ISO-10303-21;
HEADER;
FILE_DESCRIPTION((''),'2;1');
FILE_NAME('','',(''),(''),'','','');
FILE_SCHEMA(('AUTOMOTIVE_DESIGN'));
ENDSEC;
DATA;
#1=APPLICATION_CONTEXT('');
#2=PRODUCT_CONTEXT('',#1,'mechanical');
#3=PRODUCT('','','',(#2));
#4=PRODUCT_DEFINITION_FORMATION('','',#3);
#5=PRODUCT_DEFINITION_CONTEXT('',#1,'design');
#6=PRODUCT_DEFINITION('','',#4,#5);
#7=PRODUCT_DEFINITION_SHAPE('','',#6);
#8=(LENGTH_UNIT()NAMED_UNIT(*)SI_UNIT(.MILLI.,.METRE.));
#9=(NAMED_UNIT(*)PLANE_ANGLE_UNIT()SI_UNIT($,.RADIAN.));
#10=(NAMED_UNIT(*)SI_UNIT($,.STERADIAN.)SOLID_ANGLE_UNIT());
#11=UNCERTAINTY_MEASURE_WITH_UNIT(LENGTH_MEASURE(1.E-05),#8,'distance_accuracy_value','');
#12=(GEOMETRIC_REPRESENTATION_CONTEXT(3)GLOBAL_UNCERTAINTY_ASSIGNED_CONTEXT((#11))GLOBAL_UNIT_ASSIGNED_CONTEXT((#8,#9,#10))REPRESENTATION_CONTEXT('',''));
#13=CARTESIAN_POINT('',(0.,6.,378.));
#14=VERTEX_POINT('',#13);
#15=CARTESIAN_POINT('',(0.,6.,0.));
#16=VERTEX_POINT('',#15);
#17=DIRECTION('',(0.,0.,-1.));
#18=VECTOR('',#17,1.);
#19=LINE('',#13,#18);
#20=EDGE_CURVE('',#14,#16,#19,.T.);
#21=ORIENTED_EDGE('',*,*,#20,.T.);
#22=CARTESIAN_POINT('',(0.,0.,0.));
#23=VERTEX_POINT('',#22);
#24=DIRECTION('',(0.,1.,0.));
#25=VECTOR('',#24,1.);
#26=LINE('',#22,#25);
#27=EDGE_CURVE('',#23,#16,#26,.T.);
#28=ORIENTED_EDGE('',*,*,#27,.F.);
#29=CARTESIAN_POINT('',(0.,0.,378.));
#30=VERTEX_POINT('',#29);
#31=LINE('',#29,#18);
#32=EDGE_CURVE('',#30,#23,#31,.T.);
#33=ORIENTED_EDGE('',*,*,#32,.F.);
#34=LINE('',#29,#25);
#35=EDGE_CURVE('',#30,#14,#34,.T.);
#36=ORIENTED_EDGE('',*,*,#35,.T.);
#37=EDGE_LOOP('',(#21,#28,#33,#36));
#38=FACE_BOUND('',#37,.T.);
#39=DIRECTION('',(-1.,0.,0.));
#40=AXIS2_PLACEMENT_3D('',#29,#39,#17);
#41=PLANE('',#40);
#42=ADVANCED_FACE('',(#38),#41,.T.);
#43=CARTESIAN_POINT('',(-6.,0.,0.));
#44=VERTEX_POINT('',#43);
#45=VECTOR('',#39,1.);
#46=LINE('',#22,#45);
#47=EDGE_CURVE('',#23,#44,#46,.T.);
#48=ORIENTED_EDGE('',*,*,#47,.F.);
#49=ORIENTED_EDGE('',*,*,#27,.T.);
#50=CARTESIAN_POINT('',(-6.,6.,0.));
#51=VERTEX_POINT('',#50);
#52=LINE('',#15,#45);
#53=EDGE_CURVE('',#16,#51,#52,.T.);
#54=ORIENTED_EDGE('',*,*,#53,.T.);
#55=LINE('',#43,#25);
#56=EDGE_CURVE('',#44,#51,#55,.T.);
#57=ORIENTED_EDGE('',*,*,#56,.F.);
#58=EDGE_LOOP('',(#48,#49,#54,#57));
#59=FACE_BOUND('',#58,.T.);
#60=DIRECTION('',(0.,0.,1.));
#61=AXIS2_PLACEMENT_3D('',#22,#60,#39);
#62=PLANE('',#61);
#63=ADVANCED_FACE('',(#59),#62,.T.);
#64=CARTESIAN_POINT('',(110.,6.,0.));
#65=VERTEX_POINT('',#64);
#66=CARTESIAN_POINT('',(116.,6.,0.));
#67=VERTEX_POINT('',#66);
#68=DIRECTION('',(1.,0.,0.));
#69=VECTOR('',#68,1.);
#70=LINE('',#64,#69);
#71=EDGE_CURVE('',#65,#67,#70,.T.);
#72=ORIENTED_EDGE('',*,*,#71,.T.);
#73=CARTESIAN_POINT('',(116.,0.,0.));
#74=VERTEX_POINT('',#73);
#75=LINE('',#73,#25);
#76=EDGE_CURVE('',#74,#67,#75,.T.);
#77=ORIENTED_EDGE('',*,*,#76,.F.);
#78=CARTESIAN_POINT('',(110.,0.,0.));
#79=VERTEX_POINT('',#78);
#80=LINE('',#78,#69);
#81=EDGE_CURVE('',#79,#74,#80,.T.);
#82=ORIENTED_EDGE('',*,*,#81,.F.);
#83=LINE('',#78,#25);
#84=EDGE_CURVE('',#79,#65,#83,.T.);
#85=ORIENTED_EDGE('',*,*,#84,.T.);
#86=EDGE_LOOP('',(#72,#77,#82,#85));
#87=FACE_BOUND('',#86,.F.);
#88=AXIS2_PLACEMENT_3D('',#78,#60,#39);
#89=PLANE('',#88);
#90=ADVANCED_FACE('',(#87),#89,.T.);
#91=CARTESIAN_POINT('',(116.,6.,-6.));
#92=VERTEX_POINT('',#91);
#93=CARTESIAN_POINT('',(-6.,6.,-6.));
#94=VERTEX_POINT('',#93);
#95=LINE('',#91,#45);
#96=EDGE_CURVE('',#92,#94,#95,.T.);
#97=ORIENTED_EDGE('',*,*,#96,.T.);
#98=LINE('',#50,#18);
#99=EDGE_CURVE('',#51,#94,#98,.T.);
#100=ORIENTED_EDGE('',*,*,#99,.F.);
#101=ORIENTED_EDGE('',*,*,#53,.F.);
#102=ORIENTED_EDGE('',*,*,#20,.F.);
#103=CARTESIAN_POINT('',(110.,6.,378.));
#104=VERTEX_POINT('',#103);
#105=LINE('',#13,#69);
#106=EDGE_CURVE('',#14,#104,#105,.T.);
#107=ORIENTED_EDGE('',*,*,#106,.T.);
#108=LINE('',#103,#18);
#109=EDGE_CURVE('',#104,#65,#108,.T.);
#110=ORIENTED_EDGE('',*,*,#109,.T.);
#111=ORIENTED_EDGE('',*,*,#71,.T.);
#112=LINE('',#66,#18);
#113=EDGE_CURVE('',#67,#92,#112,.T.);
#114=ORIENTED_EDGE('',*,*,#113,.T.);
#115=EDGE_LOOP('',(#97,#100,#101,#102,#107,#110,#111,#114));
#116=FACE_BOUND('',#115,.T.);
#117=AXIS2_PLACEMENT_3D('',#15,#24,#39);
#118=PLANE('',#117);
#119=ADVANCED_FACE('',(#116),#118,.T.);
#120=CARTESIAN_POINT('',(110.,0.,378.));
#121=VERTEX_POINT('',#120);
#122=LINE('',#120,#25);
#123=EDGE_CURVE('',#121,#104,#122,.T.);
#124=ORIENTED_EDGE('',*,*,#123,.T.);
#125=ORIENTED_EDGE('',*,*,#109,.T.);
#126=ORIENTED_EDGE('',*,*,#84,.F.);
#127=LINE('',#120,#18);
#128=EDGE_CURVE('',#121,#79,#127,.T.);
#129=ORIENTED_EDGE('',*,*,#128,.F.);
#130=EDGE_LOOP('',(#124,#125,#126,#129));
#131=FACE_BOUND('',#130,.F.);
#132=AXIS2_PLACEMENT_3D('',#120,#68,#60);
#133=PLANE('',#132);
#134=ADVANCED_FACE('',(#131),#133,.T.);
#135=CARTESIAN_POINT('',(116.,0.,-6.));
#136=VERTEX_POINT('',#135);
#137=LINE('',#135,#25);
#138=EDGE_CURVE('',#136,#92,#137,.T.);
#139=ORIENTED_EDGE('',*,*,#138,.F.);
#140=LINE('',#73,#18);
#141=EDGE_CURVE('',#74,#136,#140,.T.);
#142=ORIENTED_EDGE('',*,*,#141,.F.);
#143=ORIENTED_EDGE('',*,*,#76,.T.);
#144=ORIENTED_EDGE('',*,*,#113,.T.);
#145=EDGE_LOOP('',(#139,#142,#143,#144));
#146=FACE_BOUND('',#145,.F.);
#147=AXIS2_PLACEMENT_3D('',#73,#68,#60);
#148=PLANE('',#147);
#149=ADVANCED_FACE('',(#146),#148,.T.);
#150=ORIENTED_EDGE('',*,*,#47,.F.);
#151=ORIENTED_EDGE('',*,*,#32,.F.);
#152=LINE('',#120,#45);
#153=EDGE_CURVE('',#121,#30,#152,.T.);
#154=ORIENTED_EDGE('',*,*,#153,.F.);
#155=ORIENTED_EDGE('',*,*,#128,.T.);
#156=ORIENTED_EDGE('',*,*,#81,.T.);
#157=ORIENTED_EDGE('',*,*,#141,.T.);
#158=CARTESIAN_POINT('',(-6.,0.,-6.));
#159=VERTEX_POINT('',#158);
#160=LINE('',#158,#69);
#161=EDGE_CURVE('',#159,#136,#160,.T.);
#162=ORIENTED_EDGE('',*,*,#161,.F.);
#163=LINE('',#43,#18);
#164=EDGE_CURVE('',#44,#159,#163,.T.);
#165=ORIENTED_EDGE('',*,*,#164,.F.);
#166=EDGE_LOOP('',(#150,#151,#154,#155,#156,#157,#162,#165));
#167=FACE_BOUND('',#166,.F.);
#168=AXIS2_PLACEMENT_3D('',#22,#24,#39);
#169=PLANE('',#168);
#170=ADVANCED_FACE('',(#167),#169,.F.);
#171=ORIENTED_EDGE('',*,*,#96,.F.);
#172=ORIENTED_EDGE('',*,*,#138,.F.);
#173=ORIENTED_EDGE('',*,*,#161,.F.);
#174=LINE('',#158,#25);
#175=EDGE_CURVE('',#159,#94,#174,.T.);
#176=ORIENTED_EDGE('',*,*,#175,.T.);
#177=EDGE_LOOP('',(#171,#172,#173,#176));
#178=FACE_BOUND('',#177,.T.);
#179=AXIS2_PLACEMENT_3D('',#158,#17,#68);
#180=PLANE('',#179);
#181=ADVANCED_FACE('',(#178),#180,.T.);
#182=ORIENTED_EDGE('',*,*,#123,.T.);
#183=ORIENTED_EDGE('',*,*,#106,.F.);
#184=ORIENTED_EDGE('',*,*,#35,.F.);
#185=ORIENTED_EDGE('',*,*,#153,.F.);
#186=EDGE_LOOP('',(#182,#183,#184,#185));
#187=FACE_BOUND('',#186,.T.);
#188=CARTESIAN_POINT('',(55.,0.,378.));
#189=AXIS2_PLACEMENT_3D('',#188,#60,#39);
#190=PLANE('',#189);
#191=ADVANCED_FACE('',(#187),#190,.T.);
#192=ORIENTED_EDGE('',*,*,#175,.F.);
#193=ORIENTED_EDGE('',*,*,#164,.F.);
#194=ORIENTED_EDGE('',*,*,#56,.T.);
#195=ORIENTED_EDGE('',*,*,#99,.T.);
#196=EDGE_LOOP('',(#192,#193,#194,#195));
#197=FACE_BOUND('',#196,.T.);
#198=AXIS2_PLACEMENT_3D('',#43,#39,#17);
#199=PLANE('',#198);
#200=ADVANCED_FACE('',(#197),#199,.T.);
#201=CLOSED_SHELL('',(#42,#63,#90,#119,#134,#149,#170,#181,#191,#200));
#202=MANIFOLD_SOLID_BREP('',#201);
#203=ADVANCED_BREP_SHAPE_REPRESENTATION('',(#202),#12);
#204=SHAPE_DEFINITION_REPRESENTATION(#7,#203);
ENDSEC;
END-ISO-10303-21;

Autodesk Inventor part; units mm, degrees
ref_plane "YZ Plane" through (0, 0, 0) normal (1, 0, 0) x (0, 1, 0)
ref_plane "XZ Plane" through (0, 0, 0) normal (0, 1, 0) x (-1, 0, 0)
ref_plane "XY Plane" through (0, 0, 0) normal (0, 0, 1) x (1, 0, 0)
sketch "Sketch1" plane through (0, 0, 0) normal (0, 1, 0) x (-1, 0, 0)
  line L0 (0, 0) -> (6, 0)
  line L1 (6, 0) -> (6, -6)
  line L2 (6, -6) -> (0, -6)
  line L3 (0, -6) -> (0, 0)
  line L4 (0, -6) -> (-55, -6)
  line L5 (-55, -6) -> (-55, 378)
  line L6 (-55, 378) -> (0, 378)
  line L7 (0, 378) -> (0, -6)
  dimension "d0" = 6
  dimension "d1" = 6
  dimension "d2" = 55
  dimension "d3" = 384
extrude "Extrusion1" add sketch "Sketch1" along normal blind 6
mirror "Mirror1" about plane through (55, 0, 378) normal (1, 0, 0) of "Extrusion1"
properties part number "wall 2 for sorting"
